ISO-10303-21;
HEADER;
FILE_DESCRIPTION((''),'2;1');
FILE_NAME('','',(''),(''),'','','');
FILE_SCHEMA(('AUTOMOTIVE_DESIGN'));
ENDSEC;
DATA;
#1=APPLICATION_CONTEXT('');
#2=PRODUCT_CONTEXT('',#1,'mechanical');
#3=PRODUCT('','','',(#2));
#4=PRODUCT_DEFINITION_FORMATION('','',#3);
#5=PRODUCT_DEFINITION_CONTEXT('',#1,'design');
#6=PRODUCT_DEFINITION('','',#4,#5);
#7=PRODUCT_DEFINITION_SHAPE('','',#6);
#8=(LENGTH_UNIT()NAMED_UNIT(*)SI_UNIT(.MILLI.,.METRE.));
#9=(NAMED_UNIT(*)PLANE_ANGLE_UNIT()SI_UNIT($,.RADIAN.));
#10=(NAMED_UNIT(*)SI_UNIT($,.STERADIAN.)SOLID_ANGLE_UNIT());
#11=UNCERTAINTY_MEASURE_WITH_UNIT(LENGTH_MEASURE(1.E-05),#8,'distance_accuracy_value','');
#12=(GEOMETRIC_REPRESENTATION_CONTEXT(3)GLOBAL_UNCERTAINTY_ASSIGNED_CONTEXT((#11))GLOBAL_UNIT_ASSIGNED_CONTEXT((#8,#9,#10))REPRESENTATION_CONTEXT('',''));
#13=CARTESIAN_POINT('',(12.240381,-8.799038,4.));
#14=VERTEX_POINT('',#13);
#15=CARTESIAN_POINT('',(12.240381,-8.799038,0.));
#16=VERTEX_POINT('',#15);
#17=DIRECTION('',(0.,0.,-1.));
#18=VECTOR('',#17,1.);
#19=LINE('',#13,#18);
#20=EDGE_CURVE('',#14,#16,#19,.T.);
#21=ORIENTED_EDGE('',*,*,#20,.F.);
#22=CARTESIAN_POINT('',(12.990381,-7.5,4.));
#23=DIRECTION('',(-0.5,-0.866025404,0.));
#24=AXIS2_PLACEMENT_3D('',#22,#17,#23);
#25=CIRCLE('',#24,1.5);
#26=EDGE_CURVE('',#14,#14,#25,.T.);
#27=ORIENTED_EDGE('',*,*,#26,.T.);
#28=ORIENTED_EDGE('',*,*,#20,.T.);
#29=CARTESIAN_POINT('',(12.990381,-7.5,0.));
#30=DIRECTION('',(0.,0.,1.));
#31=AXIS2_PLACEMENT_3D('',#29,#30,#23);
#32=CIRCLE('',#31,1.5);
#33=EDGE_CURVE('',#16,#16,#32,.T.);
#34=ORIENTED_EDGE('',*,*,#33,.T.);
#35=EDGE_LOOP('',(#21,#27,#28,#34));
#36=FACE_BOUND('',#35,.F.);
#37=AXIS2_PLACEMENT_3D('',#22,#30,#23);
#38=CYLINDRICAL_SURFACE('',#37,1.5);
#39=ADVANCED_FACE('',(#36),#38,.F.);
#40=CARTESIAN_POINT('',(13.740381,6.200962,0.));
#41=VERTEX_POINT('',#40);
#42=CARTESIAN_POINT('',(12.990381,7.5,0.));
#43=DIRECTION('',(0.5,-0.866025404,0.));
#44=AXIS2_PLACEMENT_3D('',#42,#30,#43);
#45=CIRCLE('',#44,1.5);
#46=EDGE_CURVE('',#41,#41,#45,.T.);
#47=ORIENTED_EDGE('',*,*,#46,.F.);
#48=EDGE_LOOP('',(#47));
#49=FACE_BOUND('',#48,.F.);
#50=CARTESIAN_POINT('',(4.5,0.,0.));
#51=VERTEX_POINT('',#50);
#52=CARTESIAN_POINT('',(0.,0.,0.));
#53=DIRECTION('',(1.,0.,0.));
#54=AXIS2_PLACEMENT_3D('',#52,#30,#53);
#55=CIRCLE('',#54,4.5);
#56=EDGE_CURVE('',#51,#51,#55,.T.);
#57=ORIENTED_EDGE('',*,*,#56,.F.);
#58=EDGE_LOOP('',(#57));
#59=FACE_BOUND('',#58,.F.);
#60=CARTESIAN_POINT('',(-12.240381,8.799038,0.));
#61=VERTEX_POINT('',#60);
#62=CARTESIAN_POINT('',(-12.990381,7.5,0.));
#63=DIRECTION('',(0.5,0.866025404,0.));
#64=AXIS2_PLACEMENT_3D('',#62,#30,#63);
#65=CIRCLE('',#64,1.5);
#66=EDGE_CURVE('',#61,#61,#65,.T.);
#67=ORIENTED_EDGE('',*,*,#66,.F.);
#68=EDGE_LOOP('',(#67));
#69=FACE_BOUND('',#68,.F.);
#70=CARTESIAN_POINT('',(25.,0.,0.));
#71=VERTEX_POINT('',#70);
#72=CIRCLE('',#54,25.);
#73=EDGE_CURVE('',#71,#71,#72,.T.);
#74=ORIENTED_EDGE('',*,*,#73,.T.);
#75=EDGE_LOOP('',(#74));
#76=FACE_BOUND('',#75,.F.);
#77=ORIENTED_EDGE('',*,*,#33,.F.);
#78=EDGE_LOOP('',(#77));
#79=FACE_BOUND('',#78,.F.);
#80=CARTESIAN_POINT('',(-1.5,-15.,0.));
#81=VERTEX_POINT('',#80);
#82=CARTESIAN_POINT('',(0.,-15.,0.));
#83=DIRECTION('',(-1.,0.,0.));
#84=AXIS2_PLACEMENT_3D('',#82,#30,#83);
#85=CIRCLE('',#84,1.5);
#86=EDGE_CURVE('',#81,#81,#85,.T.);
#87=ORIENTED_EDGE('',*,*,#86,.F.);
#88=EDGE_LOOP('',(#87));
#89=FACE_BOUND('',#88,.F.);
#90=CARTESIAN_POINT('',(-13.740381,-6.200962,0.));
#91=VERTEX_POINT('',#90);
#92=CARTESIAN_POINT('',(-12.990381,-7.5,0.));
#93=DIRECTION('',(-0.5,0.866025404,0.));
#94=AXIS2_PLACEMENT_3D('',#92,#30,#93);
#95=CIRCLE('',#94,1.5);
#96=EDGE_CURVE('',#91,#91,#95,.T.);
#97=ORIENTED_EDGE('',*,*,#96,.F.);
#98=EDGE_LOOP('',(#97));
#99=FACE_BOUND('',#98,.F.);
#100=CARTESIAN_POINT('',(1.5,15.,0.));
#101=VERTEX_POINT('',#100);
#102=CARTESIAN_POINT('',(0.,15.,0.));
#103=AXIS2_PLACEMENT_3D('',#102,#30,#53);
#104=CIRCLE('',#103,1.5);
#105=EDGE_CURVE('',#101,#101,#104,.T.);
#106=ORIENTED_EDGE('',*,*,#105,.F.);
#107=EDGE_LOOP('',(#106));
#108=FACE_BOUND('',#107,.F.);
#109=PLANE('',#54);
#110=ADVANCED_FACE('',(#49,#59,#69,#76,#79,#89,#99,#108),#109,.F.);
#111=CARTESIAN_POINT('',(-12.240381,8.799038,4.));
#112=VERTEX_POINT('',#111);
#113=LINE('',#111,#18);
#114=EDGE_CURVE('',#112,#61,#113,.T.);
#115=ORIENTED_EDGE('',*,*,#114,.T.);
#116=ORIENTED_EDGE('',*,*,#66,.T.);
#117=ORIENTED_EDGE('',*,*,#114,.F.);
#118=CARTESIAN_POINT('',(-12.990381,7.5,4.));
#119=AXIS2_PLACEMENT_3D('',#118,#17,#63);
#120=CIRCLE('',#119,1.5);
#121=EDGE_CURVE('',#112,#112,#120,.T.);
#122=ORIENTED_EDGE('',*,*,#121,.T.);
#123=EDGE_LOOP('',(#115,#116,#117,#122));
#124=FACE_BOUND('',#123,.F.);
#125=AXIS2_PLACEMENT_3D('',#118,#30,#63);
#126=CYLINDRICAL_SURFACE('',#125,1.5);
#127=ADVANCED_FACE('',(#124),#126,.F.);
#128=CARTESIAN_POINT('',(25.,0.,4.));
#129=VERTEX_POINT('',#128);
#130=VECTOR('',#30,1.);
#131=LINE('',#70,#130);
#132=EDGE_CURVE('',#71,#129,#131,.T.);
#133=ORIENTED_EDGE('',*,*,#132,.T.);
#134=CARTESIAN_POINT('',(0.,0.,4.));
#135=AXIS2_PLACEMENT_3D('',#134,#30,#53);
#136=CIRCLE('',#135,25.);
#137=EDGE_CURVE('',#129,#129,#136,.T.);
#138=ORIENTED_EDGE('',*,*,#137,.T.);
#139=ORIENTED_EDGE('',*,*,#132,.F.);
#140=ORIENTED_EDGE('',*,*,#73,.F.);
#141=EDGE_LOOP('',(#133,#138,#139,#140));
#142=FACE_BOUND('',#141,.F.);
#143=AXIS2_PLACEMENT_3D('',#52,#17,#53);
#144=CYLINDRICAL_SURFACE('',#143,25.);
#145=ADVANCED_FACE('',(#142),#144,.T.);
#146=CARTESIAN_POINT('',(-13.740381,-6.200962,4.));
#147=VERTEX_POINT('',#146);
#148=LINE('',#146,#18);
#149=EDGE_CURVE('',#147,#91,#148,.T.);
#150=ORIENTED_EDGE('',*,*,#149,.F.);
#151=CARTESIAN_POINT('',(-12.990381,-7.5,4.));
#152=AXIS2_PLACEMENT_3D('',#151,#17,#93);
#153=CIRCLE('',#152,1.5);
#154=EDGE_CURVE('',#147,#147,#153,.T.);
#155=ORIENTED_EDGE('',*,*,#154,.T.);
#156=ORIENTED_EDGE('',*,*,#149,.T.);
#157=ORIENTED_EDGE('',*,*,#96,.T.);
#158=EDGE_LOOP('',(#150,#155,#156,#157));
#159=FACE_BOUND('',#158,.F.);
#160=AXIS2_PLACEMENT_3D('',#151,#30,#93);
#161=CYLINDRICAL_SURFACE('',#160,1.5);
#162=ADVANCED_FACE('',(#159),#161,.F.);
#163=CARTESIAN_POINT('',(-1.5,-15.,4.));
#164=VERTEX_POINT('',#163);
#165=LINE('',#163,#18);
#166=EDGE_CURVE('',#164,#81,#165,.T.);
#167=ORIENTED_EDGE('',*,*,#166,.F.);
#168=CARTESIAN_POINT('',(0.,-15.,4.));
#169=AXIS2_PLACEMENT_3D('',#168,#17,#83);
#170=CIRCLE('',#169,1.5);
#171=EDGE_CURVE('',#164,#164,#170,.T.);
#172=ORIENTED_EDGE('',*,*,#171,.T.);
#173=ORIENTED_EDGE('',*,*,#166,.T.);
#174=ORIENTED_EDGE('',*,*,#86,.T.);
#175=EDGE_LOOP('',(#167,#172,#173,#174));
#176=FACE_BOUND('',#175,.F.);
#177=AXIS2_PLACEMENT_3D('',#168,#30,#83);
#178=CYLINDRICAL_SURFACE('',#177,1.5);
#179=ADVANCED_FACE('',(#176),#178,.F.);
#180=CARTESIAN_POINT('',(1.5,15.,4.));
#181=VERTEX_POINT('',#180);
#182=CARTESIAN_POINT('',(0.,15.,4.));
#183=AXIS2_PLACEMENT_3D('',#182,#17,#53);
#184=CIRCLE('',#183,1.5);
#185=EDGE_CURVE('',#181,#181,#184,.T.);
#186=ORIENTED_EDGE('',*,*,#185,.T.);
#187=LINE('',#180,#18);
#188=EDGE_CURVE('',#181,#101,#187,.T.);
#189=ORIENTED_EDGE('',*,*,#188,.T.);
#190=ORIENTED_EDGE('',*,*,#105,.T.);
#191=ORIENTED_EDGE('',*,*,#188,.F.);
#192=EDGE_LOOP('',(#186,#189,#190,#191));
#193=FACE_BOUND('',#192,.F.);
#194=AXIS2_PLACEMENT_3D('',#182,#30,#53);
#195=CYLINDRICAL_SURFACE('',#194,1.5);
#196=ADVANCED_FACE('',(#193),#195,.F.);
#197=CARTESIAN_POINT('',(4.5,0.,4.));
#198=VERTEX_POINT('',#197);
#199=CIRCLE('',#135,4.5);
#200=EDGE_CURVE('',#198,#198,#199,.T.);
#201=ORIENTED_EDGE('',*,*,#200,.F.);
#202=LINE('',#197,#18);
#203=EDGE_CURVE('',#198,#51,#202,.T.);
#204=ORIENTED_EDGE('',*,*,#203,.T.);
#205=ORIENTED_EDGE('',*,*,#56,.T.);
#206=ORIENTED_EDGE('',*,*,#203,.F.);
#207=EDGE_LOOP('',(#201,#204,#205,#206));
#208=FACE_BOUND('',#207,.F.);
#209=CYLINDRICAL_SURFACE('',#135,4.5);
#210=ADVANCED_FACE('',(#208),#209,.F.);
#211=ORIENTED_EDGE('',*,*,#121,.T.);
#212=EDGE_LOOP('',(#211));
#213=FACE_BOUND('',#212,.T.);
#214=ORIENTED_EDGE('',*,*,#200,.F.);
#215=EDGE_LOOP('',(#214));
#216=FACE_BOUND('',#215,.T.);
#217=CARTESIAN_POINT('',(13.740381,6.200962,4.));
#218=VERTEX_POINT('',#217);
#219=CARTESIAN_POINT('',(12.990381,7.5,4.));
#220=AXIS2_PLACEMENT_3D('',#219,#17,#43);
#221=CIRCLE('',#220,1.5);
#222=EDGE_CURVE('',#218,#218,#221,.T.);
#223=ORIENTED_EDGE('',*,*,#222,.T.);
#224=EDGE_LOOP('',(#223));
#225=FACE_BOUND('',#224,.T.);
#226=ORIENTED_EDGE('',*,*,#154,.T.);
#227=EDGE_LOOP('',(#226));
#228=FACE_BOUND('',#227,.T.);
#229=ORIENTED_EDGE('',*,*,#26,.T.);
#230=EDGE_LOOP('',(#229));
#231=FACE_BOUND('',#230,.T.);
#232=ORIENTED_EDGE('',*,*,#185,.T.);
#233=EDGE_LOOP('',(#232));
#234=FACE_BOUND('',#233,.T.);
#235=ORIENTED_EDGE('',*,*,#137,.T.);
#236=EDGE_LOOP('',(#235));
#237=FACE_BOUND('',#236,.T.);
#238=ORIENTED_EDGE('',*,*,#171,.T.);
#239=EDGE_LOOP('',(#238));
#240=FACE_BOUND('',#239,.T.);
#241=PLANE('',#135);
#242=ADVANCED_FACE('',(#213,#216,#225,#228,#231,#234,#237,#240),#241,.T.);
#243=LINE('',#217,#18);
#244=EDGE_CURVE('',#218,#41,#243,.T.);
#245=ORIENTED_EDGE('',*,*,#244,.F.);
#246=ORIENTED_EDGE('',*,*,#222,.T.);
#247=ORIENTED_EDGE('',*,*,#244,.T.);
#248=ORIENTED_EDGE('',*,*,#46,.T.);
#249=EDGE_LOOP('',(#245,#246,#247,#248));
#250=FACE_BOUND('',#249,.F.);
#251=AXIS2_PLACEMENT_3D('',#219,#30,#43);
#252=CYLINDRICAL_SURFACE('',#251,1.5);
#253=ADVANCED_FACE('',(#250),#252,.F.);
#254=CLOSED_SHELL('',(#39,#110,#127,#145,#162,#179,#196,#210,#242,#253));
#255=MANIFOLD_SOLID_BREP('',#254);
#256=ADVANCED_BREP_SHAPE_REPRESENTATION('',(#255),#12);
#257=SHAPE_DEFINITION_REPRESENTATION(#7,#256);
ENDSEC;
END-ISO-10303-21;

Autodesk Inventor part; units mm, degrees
ref_plane "YZ Plane" through (0, 0, 0) normal (1, 0, 0) x (0, 1, 0)
ref_plane "XZ Plane" through (0, 0, 0) normal (0, 1, 0) x (-1, 0, 0)
ref_plane "XY Plane" through (0, 0, 0) normal (0, 0, 1) x (1, 0, 0)
sketch "Sketch1" plane through (0, 0, 0) normal (0, 0, 1) x (1, 0, 0)
  circle A0 centre (0, 0) radius 25
  dimension "d0" = 50
extrude "Extrusion1" add sketch "Sketch1" along normal blind 4
sketch "Sketch2" plane through (0, 0, 4) normal (0, 0, 1) x (1, 0, 0)
  circle A0 centre (0, 15) radius 1.5
  line L0 (0, -35) -> (0, 35) projected
  point P0 (0, 0)
  dimension "d3" = 3
  dimension "d4" = 15
extrude "Extrusion2" cut sketch "Sketch2" against normal blind 10
pattern_circular "Circular Pattern1" count 6 over 360 about axis through (0, 0, -10) along (0, 0, 1) of "Extrusion2"
sketch "Sketch3" plane through (0, 0, 4) normal (0, 0, 1) x (1, 0, 0)
  circle A0 centre (0, 0) radius 4.5
  dimension "d11" = 9
extrude "Extrusion3" cut sketch "Sketch3" against normal blind 10
properties part number "center_cover2"
